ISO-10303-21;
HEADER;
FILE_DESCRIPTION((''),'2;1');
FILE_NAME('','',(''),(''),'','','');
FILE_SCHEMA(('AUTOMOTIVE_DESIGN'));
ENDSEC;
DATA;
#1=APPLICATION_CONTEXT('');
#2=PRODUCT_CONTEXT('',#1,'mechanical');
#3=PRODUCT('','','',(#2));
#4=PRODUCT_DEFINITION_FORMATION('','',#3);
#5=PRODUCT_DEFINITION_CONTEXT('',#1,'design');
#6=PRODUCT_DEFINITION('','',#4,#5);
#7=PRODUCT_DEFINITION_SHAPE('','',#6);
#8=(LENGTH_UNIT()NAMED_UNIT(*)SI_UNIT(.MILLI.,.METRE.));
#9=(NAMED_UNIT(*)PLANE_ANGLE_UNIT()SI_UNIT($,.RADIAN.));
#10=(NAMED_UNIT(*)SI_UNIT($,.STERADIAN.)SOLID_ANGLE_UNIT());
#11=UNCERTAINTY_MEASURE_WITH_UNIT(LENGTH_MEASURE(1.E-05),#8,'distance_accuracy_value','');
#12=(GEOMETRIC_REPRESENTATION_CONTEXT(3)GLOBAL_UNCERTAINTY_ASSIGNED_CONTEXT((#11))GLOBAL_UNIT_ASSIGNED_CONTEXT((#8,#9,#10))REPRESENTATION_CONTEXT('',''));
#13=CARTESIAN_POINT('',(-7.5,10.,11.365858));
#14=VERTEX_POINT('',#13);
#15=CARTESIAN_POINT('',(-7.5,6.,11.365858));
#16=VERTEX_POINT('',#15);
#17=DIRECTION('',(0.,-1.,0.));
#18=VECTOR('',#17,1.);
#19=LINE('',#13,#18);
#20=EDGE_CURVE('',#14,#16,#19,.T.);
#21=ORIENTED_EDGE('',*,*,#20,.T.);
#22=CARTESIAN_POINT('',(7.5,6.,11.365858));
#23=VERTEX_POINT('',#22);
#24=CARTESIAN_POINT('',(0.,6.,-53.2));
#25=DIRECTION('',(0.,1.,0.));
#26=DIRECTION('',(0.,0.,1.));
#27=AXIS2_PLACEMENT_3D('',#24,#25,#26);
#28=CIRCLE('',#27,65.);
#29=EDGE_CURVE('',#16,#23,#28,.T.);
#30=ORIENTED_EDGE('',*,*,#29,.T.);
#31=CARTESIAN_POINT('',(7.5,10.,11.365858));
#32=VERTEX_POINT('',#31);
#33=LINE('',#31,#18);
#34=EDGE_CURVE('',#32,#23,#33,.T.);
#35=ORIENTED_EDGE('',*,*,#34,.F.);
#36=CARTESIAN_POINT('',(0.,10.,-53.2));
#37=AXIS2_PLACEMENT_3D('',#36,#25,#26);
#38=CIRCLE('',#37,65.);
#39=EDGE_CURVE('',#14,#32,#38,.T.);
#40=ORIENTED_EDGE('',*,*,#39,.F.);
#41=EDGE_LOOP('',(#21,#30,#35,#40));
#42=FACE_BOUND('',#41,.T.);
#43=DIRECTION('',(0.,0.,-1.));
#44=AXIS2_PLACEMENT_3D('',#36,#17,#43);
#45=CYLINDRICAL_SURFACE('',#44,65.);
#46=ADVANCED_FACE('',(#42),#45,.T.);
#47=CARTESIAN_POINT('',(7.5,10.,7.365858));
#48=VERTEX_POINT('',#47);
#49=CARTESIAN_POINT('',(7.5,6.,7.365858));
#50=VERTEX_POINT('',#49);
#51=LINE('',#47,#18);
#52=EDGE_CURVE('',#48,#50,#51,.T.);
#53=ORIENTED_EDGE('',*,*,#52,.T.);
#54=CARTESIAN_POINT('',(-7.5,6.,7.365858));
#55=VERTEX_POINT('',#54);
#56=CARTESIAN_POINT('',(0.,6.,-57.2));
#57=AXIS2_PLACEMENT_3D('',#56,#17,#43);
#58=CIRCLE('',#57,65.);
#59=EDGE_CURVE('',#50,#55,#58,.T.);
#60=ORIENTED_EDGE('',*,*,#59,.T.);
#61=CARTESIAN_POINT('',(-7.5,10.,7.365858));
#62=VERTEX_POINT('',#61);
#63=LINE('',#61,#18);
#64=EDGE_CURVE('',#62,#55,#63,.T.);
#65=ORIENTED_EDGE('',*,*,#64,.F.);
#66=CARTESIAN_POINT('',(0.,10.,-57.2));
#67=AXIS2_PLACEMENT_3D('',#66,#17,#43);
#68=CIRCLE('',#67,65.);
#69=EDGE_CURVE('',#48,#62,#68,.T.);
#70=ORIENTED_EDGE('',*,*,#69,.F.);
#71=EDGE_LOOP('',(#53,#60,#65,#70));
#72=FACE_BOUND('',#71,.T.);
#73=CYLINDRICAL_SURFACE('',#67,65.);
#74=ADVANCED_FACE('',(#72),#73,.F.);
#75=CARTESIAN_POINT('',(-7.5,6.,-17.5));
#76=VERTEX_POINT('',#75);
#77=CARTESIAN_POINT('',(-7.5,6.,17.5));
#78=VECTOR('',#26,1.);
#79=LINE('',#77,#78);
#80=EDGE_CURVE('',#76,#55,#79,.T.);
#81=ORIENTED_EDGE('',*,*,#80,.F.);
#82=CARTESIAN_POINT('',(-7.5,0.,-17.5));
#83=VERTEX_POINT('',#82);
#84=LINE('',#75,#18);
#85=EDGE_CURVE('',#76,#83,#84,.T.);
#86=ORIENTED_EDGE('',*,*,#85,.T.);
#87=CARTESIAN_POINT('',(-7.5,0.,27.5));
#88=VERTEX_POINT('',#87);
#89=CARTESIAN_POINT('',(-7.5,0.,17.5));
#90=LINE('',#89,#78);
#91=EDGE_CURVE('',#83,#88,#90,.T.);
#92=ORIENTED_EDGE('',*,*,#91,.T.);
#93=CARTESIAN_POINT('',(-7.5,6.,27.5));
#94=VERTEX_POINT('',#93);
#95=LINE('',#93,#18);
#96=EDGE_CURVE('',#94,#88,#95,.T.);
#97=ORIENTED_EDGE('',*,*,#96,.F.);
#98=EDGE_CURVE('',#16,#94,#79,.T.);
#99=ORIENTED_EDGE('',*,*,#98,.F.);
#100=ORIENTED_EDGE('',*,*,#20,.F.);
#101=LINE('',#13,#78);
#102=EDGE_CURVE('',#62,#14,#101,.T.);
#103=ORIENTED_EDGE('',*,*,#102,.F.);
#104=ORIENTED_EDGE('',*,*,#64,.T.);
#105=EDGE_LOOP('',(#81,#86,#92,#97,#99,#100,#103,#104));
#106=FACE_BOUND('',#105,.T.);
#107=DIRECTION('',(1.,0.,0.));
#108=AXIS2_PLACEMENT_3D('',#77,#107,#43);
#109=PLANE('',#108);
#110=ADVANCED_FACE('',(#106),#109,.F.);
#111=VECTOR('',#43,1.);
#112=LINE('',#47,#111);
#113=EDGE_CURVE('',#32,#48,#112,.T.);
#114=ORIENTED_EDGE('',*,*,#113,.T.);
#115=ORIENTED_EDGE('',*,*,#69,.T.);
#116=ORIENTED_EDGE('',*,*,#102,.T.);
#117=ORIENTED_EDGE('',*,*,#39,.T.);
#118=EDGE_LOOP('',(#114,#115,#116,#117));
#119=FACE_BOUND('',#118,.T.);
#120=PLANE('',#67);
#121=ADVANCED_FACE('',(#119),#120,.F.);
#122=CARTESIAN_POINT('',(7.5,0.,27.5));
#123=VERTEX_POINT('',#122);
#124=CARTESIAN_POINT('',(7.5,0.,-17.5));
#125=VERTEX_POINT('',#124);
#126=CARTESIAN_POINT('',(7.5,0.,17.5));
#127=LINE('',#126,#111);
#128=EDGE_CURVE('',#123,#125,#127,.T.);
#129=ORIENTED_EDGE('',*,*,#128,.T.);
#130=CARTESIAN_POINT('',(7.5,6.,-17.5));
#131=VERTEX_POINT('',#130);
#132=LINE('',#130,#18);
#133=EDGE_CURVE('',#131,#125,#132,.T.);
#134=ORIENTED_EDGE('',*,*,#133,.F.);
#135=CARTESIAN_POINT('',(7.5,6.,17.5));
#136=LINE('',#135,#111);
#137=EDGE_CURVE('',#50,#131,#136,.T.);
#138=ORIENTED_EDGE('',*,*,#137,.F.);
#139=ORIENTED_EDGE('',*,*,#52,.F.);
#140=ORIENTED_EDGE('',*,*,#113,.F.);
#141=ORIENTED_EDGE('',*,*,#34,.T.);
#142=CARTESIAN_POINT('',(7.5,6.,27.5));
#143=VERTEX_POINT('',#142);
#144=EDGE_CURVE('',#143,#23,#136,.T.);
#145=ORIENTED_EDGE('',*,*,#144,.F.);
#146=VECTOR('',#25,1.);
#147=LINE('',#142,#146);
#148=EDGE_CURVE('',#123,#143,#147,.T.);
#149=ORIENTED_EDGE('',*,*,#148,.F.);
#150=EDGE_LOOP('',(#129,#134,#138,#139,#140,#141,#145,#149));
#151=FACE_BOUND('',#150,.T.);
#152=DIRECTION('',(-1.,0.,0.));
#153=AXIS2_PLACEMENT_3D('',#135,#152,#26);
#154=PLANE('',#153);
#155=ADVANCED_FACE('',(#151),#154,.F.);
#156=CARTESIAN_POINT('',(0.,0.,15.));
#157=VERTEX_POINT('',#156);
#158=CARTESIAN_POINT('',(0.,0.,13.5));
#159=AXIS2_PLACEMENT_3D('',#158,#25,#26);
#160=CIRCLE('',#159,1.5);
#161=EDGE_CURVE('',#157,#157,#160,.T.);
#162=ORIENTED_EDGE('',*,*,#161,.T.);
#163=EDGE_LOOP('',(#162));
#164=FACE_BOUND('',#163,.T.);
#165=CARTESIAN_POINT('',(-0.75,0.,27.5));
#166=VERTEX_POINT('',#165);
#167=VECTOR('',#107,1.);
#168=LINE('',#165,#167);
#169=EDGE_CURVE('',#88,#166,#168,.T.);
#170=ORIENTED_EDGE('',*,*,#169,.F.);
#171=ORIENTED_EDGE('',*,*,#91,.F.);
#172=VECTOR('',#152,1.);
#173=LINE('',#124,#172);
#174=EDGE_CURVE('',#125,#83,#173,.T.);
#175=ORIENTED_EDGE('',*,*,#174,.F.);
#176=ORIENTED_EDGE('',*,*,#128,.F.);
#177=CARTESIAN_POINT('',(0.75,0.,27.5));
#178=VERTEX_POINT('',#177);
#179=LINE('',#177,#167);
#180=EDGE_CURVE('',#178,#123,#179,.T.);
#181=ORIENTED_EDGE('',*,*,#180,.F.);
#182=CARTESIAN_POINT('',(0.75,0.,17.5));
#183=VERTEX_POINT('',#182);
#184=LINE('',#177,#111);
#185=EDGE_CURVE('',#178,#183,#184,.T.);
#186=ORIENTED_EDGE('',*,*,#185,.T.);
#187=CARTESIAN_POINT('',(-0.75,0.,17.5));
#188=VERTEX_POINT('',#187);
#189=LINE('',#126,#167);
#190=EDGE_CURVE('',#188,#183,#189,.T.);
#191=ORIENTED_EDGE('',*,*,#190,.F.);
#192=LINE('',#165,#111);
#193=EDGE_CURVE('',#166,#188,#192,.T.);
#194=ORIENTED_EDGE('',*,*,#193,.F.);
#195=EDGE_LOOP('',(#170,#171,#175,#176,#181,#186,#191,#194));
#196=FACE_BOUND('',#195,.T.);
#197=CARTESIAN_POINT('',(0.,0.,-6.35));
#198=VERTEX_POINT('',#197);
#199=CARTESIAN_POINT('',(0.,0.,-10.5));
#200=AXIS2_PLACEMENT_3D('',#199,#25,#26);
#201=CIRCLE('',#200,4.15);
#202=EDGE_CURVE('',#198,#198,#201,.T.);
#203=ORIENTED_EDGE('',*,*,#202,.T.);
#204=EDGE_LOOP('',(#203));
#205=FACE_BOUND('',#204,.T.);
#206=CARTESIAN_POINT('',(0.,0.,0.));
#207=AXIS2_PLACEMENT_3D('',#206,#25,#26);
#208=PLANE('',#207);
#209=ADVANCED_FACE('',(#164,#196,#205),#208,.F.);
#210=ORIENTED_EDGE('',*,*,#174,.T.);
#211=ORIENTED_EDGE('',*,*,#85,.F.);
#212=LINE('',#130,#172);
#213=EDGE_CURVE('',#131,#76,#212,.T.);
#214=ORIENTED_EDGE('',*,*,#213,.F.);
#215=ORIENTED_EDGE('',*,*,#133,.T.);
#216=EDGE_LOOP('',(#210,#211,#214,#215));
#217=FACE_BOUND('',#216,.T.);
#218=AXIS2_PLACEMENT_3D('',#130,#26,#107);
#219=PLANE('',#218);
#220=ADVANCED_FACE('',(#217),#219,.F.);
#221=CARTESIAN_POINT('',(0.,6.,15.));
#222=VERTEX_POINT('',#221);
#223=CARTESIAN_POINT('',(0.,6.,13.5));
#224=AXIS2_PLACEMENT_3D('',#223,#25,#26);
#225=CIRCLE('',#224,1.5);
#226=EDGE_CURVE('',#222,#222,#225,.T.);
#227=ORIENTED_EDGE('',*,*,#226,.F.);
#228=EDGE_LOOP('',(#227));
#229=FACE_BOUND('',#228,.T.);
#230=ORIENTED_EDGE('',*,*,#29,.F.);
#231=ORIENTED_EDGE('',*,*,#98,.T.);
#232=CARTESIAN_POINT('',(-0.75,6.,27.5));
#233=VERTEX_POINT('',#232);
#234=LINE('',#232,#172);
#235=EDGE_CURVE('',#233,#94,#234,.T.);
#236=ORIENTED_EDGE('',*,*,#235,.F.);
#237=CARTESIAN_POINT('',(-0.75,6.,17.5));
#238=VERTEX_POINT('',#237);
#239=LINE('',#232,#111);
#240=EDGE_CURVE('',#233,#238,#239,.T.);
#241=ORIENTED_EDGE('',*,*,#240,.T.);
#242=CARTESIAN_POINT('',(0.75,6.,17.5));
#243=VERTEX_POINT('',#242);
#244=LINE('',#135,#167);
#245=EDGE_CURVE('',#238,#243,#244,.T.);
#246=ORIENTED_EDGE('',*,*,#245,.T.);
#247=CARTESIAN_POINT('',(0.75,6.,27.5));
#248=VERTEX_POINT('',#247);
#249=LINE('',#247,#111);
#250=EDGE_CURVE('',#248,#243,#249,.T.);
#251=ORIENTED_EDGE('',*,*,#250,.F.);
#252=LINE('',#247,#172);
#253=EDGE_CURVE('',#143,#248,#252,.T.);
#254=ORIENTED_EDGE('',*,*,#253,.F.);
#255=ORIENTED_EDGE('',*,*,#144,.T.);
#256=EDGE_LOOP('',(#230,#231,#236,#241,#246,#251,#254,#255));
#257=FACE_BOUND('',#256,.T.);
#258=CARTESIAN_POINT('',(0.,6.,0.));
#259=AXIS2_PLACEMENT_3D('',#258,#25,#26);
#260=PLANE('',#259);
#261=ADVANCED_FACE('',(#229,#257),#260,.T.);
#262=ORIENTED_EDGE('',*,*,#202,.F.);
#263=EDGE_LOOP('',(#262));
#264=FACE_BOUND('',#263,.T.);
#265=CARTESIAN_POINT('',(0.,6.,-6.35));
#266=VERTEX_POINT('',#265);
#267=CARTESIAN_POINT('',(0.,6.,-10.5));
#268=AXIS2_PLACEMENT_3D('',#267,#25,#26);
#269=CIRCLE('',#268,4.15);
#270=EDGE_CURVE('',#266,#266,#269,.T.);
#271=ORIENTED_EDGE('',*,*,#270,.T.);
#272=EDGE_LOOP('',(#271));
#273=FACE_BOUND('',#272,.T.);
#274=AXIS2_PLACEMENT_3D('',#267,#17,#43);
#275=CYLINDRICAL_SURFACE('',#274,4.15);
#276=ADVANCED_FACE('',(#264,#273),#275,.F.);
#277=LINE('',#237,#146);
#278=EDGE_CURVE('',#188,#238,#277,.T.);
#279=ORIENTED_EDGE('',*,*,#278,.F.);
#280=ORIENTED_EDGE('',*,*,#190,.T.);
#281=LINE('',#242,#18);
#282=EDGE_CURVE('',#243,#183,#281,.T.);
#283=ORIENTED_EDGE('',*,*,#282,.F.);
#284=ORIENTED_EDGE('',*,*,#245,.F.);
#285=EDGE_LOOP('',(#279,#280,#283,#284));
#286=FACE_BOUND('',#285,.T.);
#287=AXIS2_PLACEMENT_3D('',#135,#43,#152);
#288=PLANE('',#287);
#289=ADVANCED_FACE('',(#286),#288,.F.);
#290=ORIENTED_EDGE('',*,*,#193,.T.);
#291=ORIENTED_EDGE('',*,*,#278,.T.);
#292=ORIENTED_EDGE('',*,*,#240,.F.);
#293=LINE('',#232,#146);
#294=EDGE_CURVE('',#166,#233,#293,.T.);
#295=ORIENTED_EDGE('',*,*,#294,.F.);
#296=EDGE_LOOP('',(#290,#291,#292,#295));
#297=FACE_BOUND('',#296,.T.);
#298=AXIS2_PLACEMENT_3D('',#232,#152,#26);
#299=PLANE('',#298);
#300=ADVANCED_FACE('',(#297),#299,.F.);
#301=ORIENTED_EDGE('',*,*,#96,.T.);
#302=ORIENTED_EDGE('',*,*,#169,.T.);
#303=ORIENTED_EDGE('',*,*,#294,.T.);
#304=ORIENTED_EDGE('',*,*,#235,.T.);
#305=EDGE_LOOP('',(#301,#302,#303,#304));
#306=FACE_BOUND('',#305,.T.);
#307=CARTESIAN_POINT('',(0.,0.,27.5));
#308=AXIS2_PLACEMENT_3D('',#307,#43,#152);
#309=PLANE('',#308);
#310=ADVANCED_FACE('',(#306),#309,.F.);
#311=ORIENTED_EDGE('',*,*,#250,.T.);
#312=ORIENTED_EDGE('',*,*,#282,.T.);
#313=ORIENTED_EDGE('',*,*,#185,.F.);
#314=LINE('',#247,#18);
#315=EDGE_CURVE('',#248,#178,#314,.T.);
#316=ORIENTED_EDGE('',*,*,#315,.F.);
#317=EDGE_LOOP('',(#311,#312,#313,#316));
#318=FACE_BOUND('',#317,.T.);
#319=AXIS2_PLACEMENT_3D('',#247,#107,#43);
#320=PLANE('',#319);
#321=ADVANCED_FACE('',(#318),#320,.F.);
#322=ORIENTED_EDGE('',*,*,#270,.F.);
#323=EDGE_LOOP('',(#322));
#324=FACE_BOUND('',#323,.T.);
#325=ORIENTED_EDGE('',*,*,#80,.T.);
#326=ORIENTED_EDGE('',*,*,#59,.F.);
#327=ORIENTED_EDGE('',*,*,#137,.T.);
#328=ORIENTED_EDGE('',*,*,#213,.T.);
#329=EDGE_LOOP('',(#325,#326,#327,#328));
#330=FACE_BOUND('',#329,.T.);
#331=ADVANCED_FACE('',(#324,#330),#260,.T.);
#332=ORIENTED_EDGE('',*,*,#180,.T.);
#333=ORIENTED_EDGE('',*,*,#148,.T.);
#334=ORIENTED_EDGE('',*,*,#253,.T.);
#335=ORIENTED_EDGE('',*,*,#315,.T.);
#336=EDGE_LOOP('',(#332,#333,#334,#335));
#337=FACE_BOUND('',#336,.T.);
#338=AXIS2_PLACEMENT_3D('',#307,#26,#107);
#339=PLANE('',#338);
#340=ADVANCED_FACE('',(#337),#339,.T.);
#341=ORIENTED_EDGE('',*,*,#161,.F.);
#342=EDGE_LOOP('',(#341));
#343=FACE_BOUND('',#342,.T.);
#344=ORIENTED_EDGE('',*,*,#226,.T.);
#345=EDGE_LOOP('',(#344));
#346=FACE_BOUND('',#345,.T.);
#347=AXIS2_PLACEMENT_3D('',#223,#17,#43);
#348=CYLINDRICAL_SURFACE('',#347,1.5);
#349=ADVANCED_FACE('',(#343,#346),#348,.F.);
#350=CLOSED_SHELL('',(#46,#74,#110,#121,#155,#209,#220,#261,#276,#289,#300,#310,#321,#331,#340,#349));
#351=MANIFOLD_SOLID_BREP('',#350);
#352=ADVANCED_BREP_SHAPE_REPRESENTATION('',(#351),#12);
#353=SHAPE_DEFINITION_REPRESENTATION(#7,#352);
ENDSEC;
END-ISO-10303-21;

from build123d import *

# Parameters (mm, degrees)
SKETCH1_W           = 15
SKETCH1_H           = 35
SKETCH1_R           = 4.15
SKETCH1_R_2         = 1.5
BOSS_EXTRUDE1_DEPTH = 6
BOSS_EXTRUDE2_DEPTH = 4
SKETCH3_W           = 6.75
SKETCH3_H           = 6
BOSS_EXTRUDE3_DEPTH = 10


with BuildPart() as part:
    # Sketch1 → Boss-Extrude1 (new body)
    with BuildSketch(Plane(origin=(0, 0, 0), x_dir=(1, 0, 0), z_dir=(0, 1, 0))):
        Rectangle(SKETCH1_W, SKETCH1_H)
        with Locations(Location((0, 10.5, 0), (0, 0, 270))):  # turned: the seam where the file's is
            Circle(SKETCH1_R, mode=Mode.SUBTRACT)
        with Locations(Location((0, -13.5, 0), (0, 0, 270))):  # turned: the seam where the file's is
            Circle(SKETCH1_R_2, mode=Mode.SUBTRACT)
    extrude(amount=BOSS_EXTRUDE1_DEPTH)

    # Sketch2 → Boss-Extrude2 (add)
    with BuildSketch(Plane(origin=(0, 6, 0), x_dir=(1, 0, 0), z_dir=(0, 1, 0))):
        with BuildLine():
            Line((-7.5, -11.365857851), (-7.5, -7.365857851))
            ThreePointArc((-7.5, -7.365857851), (0, -7.8), (7.5, -7.365857851))
            Line((7.5, -7.365857851), (7.5, -11.365857851))
            ThreePointArc((7.5, -11.365857851), (0, -11.8), (-7.5, -11.365857851))
        make_face()
    extrude(amount=BOSS_EXTRUDE2_DEPTH)

    # Sketch3 → Boss-Extrude3 (add)
    with BuildSketch(Plane.XY.offset(17.5)):
        with Locations((4.125, 3)):
            Rectangle(SKETCH3_W, SKETCH3_H)
        with Locations((-4.125, 3)):
            Rectangle(SKETCH3_W, SKETCH3_H)
    extrude(amount=BOSS_EXTRUDE3_DEPTH)


solid = part.part
